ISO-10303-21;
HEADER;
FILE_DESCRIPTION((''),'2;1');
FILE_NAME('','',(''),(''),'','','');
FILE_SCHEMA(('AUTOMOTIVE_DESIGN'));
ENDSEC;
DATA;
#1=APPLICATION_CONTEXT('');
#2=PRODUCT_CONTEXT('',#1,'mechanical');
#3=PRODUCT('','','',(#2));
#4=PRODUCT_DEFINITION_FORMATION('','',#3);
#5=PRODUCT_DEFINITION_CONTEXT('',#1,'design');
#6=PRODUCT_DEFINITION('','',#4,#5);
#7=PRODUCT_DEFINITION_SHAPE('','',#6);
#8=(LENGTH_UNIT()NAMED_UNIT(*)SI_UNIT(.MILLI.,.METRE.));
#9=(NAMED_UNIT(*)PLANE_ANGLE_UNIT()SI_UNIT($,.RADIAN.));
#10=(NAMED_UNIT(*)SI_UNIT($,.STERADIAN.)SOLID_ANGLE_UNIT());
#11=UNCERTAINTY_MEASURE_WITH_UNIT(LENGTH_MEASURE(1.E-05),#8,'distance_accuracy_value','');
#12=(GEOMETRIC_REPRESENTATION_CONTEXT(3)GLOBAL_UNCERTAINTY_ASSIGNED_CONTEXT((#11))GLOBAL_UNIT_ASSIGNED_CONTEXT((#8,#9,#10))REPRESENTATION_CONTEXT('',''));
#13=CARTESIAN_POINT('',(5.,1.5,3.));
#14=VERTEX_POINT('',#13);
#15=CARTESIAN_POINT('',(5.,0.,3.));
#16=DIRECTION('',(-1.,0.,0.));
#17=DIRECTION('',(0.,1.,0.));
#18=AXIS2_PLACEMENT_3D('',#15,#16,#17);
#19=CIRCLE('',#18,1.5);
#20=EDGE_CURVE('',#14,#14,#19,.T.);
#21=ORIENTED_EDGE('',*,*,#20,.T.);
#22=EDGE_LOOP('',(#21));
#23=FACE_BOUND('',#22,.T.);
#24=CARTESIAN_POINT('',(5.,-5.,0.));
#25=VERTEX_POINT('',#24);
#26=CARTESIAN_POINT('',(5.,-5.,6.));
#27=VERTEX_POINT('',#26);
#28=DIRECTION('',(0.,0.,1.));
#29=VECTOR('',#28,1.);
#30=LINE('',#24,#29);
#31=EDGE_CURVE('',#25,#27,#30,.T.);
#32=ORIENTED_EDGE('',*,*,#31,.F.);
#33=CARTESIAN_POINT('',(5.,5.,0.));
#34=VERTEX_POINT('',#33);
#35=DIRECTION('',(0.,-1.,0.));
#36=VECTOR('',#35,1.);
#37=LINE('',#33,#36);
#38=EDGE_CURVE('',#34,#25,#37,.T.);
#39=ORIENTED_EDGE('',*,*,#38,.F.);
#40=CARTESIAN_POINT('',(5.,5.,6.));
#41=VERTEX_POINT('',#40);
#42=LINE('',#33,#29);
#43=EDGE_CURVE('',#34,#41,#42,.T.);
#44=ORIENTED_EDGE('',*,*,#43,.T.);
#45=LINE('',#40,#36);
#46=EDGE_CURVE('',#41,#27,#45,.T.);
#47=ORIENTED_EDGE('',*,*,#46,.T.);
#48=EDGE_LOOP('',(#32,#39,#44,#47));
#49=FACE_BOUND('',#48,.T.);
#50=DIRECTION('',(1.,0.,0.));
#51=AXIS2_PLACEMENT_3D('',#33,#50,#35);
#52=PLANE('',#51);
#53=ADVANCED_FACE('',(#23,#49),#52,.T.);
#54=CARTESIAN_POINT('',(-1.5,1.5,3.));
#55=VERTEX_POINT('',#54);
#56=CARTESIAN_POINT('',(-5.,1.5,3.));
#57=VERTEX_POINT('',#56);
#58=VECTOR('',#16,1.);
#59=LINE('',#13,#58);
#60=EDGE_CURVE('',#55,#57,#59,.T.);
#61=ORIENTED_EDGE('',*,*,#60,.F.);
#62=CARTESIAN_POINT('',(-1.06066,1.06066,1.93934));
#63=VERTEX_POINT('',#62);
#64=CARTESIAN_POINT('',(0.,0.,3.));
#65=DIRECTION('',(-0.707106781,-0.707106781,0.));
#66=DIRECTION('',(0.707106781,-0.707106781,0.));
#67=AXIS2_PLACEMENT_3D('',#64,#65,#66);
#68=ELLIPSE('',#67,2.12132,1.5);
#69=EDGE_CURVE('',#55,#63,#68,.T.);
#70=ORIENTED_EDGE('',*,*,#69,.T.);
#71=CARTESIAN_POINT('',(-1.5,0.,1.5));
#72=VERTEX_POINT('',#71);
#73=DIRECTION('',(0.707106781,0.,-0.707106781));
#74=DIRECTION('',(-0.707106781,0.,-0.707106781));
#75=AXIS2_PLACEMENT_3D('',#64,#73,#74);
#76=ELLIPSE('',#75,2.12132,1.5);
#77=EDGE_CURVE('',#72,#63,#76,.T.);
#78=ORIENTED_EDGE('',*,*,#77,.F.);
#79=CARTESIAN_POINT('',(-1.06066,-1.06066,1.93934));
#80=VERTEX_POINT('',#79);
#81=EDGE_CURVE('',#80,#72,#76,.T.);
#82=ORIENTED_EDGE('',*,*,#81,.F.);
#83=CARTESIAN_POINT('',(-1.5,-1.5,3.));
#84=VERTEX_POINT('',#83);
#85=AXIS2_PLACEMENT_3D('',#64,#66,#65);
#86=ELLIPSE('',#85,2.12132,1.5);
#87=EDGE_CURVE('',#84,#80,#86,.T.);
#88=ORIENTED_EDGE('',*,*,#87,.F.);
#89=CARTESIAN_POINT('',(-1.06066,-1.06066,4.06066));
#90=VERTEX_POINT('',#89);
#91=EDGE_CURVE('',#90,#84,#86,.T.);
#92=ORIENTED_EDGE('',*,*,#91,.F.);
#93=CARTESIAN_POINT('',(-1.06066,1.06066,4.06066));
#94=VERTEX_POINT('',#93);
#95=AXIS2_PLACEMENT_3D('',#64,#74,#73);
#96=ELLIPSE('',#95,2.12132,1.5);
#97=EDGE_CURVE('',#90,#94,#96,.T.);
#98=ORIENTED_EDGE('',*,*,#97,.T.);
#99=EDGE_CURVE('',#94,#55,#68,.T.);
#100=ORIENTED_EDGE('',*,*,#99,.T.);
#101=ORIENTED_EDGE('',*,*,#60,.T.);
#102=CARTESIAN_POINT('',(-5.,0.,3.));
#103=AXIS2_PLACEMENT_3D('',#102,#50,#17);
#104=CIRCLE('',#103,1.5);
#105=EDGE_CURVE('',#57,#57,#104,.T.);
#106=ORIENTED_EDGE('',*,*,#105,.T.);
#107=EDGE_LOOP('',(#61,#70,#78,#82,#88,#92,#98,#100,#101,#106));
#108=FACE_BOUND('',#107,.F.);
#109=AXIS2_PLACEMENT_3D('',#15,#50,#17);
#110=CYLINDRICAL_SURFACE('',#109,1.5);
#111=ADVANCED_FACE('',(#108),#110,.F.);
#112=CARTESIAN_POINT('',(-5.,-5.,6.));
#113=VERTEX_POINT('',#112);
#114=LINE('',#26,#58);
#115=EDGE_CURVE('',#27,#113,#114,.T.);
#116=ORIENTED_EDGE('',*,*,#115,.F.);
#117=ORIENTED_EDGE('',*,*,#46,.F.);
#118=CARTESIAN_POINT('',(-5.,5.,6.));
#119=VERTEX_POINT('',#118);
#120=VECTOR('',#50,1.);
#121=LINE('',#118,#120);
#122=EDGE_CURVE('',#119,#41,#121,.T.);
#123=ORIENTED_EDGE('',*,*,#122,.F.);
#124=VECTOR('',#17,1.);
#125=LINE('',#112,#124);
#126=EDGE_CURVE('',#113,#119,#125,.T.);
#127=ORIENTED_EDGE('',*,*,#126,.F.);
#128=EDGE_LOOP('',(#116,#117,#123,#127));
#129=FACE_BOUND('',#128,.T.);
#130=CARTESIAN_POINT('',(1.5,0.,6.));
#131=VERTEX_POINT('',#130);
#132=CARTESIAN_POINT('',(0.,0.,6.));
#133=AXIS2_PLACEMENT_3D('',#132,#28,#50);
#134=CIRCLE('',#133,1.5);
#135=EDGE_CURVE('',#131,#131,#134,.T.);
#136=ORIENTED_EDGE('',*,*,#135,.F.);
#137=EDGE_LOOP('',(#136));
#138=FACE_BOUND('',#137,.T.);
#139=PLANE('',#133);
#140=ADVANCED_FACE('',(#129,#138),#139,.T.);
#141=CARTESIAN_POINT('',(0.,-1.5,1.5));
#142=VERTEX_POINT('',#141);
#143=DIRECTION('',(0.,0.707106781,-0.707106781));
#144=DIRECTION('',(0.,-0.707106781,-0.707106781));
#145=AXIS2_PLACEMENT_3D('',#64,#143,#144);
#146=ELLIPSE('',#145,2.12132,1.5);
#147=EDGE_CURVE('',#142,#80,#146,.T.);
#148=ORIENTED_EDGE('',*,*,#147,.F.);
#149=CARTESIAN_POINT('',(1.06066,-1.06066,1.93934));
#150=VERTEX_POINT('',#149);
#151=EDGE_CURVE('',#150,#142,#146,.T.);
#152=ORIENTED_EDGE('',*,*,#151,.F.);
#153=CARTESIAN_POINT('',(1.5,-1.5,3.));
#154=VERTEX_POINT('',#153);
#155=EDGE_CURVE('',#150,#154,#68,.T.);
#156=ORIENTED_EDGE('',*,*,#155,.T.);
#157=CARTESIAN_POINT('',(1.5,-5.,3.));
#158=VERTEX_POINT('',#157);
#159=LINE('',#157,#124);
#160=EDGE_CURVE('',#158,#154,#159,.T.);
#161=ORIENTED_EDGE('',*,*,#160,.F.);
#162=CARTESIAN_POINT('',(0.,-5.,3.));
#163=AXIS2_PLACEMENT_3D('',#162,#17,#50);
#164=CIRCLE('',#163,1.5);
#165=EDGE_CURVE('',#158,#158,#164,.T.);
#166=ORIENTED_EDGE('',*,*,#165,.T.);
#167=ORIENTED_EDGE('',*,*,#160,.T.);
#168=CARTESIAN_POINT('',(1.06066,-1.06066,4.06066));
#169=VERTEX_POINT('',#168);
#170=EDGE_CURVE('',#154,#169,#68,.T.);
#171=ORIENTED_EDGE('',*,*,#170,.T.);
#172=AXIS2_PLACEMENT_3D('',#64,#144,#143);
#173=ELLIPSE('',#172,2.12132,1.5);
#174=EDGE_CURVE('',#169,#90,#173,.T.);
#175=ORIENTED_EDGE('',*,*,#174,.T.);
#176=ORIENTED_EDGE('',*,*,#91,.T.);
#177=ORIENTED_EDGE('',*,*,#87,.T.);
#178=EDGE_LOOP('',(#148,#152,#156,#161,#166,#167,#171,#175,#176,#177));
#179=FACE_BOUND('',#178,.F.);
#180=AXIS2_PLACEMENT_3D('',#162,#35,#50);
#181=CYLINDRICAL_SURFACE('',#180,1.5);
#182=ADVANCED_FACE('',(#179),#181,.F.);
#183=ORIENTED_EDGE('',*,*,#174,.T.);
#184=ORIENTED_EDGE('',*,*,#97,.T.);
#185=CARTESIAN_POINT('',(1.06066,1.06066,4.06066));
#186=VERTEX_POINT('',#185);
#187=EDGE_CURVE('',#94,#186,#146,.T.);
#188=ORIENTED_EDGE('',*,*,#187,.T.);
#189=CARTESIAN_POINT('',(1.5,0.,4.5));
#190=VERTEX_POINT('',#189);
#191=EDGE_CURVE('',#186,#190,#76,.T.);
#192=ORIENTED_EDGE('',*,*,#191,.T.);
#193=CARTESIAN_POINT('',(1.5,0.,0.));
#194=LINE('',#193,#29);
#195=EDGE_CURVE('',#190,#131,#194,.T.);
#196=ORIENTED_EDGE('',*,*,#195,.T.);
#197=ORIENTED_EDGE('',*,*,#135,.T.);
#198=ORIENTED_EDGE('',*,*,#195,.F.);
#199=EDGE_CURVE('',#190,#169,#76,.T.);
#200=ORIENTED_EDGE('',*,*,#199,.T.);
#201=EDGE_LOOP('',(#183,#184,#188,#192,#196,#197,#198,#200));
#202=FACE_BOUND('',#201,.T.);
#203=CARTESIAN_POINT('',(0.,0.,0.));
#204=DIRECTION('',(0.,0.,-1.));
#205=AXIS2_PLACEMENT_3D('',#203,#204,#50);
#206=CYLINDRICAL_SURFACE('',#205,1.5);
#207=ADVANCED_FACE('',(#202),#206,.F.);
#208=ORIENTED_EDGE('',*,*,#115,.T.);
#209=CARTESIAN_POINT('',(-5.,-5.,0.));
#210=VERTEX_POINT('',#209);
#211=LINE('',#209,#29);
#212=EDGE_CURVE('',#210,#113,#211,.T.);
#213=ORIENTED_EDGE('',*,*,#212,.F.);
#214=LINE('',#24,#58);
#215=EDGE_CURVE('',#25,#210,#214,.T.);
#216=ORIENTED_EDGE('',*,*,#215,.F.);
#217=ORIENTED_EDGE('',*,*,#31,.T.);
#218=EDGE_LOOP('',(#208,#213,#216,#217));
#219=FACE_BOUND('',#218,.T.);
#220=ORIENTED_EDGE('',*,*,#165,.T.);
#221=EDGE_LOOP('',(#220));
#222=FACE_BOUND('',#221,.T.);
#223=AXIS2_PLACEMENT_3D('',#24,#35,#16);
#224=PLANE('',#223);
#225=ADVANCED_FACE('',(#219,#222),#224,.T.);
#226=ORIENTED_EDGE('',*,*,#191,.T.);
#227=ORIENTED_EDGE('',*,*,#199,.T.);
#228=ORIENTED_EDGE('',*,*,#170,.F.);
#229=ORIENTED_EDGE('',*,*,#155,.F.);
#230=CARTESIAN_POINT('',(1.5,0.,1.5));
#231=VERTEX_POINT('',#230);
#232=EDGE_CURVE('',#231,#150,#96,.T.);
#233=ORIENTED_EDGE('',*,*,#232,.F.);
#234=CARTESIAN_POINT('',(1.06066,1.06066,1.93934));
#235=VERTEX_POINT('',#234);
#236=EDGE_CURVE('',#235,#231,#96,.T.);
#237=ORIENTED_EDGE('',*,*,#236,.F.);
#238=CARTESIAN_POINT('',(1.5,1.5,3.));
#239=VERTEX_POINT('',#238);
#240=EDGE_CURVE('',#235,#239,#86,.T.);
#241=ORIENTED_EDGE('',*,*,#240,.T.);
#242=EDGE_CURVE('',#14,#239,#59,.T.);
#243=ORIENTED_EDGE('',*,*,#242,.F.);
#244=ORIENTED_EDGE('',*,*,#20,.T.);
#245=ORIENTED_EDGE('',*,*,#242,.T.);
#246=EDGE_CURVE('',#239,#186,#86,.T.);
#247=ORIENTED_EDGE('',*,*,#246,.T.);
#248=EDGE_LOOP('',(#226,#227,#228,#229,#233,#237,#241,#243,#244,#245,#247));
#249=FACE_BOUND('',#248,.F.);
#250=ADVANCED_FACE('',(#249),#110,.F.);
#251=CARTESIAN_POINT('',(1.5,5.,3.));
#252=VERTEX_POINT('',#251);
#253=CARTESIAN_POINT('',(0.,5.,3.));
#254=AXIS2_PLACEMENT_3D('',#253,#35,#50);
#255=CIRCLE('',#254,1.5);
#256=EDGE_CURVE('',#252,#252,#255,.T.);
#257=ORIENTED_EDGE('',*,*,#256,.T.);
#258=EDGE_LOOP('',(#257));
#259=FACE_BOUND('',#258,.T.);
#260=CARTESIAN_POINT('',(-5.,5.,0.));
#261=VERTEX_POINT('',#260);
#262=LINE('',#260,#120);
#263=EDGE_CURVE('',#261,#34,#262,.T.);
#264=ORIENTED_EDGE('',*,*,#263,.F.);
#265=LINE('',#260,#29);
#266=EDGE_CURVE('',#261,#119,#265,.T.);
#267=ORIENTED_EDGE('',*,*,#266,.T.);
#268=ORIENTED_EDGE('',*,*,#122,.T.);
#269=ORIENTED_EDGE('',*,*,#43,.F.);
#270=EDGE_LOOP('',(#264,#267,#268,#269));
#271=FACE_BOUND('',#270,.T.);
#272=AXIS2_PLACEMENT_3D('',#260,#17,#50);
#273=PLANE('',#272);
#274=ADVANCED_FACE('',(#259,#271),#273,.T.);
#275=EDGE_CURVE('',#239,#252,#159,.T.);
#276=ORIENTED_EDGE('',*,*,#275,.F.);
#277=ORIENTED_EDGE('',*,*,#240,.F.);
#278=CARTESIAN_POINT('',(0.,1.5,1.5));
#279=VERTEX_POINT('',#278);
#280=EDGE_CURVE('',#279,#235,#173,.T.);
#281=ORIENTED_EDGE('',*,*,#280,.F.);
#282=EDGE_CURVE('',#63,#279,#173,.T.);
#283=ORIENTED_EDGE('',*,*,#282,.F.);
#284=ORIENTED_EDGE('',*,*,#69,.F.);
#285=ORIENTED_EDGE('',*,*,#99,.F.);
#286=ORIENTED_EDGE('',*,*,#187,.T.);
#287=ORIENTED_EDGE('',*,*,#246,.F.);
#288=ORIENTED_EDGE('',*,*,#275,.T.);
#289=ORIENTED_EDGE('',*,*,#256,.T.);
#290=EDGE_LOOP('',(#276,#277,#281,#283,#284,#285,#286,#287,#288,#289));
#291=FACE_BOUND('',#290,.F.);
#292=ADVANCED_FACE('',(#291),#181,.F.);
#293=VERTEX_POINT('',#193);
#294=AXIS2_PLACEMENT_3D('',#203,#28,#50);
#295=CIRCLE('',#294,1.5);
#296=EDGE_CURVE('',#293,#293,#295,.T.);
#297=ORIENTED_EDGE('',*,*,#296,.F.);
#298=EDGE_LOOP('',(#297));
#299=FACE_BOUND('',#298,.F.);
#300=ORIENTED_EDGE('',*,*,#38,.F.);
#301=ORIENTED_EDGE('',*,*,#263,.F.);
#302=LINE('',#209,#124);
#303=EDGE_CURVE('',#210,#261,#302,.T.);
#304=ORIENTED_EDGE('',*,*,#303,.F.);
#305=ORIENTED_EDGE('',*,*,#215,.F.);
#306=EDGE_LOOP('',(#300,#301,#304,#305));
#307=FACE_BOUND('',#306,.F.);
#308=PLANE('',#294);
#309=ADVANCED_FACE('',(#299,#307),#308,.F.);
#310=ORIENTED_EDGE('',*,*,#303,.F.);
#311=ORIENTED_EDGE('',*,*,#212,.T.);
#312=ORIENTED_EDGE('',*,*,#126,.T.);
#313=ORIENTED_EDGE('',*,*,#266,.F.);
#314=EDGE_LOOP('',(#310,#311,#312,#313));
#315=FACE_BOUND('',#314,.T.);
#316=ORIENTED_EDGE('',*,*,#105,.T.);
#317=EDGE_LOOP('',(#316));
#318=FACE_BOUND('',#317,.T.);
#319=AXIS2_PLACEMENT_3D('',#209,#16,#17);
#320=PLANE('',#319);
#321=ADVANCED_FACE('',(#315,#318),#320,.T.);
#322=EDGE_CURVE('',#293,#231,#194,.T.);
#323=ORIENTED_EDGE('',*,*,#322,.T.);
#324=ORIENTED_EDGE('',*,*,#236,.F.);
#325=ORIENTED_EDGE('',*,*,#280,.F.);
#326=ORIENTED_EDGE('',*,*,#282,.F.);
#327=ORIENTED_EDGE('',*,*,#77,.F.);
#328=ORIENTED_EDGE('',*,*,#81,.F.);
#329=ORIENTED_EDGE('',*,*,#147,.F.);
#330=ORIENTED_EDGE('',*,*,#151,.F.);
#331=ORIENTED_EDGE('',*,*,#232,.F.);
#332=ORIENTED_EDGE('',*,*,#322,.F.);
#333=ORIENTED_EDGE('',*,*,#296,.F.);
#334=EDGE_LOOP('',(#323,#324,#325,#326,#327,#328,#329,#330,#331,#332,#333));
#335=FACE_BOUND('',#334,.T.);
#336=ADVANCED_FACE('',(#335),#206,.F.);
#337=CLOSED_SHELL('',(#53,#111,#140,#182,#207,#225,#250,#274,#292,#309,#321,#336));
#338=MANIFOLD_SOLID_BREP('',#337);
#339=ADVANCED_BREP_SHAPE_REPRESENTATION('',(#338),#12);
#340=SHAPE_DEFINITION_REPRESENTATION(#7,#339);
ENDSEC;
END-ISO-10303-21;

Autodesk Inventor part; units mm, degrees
ref_plane "YZ Plane" through (0, 0, 0) normal (1, 0, 0) x (0, 1, 0)
ref_plane "XZ Plane" through (0, 0, 0) normal (0, 1, 0) x (-1, 0, 0)
ref_plane "XY Plane" through (0, 0, 0) normal (0, 0, 1) x (1, 0, 0)
sketch "草图1" plane through (0, 0, 0) normal (0, 0, 1) x (1, 0, 0)
  line L0 (5, -5) -> (-5, -5)
  line L1 (-5, -5) -> (-5, 5)
  line L2 (-5, 5) -> (5, 5)
  line L3 (5, 5) -> (5, -5)
  line L4 (5, -5) -> (-5, 5) construction
  line L5 (-5, -5) -> (5, 5) construction
  circle A0 centre (0, 0) radius 1.5
  dimension "d0" = 10
  dimension "d1" = 10
  dimension "d2" = 3
extrude "拉伸1" add sketch "草图1" along normal blind 6
sketch "草图2" plane through (-5, -5, 0) normal (0, -1, 0) x (1, 0, 0)
  line L0 (0, 0) -> (0, 6) projected
  line L1 (0, 3) -> (10, 3)
  line L2 (10, 0) -> (10, 6) projected
  circle A0 centre (5, 3) radius 1.5
  point P0 (5, 0)
  dimension "d5" = 3
extrude "拉伸2" cut sketch "草图2" against normal blind 51
pattern_circular "环形阵列1" count 4 over 360 about axis through (0, 0, 0) along (0, 0, 1) of "拉伸2"
properties part number "4放螺母"
